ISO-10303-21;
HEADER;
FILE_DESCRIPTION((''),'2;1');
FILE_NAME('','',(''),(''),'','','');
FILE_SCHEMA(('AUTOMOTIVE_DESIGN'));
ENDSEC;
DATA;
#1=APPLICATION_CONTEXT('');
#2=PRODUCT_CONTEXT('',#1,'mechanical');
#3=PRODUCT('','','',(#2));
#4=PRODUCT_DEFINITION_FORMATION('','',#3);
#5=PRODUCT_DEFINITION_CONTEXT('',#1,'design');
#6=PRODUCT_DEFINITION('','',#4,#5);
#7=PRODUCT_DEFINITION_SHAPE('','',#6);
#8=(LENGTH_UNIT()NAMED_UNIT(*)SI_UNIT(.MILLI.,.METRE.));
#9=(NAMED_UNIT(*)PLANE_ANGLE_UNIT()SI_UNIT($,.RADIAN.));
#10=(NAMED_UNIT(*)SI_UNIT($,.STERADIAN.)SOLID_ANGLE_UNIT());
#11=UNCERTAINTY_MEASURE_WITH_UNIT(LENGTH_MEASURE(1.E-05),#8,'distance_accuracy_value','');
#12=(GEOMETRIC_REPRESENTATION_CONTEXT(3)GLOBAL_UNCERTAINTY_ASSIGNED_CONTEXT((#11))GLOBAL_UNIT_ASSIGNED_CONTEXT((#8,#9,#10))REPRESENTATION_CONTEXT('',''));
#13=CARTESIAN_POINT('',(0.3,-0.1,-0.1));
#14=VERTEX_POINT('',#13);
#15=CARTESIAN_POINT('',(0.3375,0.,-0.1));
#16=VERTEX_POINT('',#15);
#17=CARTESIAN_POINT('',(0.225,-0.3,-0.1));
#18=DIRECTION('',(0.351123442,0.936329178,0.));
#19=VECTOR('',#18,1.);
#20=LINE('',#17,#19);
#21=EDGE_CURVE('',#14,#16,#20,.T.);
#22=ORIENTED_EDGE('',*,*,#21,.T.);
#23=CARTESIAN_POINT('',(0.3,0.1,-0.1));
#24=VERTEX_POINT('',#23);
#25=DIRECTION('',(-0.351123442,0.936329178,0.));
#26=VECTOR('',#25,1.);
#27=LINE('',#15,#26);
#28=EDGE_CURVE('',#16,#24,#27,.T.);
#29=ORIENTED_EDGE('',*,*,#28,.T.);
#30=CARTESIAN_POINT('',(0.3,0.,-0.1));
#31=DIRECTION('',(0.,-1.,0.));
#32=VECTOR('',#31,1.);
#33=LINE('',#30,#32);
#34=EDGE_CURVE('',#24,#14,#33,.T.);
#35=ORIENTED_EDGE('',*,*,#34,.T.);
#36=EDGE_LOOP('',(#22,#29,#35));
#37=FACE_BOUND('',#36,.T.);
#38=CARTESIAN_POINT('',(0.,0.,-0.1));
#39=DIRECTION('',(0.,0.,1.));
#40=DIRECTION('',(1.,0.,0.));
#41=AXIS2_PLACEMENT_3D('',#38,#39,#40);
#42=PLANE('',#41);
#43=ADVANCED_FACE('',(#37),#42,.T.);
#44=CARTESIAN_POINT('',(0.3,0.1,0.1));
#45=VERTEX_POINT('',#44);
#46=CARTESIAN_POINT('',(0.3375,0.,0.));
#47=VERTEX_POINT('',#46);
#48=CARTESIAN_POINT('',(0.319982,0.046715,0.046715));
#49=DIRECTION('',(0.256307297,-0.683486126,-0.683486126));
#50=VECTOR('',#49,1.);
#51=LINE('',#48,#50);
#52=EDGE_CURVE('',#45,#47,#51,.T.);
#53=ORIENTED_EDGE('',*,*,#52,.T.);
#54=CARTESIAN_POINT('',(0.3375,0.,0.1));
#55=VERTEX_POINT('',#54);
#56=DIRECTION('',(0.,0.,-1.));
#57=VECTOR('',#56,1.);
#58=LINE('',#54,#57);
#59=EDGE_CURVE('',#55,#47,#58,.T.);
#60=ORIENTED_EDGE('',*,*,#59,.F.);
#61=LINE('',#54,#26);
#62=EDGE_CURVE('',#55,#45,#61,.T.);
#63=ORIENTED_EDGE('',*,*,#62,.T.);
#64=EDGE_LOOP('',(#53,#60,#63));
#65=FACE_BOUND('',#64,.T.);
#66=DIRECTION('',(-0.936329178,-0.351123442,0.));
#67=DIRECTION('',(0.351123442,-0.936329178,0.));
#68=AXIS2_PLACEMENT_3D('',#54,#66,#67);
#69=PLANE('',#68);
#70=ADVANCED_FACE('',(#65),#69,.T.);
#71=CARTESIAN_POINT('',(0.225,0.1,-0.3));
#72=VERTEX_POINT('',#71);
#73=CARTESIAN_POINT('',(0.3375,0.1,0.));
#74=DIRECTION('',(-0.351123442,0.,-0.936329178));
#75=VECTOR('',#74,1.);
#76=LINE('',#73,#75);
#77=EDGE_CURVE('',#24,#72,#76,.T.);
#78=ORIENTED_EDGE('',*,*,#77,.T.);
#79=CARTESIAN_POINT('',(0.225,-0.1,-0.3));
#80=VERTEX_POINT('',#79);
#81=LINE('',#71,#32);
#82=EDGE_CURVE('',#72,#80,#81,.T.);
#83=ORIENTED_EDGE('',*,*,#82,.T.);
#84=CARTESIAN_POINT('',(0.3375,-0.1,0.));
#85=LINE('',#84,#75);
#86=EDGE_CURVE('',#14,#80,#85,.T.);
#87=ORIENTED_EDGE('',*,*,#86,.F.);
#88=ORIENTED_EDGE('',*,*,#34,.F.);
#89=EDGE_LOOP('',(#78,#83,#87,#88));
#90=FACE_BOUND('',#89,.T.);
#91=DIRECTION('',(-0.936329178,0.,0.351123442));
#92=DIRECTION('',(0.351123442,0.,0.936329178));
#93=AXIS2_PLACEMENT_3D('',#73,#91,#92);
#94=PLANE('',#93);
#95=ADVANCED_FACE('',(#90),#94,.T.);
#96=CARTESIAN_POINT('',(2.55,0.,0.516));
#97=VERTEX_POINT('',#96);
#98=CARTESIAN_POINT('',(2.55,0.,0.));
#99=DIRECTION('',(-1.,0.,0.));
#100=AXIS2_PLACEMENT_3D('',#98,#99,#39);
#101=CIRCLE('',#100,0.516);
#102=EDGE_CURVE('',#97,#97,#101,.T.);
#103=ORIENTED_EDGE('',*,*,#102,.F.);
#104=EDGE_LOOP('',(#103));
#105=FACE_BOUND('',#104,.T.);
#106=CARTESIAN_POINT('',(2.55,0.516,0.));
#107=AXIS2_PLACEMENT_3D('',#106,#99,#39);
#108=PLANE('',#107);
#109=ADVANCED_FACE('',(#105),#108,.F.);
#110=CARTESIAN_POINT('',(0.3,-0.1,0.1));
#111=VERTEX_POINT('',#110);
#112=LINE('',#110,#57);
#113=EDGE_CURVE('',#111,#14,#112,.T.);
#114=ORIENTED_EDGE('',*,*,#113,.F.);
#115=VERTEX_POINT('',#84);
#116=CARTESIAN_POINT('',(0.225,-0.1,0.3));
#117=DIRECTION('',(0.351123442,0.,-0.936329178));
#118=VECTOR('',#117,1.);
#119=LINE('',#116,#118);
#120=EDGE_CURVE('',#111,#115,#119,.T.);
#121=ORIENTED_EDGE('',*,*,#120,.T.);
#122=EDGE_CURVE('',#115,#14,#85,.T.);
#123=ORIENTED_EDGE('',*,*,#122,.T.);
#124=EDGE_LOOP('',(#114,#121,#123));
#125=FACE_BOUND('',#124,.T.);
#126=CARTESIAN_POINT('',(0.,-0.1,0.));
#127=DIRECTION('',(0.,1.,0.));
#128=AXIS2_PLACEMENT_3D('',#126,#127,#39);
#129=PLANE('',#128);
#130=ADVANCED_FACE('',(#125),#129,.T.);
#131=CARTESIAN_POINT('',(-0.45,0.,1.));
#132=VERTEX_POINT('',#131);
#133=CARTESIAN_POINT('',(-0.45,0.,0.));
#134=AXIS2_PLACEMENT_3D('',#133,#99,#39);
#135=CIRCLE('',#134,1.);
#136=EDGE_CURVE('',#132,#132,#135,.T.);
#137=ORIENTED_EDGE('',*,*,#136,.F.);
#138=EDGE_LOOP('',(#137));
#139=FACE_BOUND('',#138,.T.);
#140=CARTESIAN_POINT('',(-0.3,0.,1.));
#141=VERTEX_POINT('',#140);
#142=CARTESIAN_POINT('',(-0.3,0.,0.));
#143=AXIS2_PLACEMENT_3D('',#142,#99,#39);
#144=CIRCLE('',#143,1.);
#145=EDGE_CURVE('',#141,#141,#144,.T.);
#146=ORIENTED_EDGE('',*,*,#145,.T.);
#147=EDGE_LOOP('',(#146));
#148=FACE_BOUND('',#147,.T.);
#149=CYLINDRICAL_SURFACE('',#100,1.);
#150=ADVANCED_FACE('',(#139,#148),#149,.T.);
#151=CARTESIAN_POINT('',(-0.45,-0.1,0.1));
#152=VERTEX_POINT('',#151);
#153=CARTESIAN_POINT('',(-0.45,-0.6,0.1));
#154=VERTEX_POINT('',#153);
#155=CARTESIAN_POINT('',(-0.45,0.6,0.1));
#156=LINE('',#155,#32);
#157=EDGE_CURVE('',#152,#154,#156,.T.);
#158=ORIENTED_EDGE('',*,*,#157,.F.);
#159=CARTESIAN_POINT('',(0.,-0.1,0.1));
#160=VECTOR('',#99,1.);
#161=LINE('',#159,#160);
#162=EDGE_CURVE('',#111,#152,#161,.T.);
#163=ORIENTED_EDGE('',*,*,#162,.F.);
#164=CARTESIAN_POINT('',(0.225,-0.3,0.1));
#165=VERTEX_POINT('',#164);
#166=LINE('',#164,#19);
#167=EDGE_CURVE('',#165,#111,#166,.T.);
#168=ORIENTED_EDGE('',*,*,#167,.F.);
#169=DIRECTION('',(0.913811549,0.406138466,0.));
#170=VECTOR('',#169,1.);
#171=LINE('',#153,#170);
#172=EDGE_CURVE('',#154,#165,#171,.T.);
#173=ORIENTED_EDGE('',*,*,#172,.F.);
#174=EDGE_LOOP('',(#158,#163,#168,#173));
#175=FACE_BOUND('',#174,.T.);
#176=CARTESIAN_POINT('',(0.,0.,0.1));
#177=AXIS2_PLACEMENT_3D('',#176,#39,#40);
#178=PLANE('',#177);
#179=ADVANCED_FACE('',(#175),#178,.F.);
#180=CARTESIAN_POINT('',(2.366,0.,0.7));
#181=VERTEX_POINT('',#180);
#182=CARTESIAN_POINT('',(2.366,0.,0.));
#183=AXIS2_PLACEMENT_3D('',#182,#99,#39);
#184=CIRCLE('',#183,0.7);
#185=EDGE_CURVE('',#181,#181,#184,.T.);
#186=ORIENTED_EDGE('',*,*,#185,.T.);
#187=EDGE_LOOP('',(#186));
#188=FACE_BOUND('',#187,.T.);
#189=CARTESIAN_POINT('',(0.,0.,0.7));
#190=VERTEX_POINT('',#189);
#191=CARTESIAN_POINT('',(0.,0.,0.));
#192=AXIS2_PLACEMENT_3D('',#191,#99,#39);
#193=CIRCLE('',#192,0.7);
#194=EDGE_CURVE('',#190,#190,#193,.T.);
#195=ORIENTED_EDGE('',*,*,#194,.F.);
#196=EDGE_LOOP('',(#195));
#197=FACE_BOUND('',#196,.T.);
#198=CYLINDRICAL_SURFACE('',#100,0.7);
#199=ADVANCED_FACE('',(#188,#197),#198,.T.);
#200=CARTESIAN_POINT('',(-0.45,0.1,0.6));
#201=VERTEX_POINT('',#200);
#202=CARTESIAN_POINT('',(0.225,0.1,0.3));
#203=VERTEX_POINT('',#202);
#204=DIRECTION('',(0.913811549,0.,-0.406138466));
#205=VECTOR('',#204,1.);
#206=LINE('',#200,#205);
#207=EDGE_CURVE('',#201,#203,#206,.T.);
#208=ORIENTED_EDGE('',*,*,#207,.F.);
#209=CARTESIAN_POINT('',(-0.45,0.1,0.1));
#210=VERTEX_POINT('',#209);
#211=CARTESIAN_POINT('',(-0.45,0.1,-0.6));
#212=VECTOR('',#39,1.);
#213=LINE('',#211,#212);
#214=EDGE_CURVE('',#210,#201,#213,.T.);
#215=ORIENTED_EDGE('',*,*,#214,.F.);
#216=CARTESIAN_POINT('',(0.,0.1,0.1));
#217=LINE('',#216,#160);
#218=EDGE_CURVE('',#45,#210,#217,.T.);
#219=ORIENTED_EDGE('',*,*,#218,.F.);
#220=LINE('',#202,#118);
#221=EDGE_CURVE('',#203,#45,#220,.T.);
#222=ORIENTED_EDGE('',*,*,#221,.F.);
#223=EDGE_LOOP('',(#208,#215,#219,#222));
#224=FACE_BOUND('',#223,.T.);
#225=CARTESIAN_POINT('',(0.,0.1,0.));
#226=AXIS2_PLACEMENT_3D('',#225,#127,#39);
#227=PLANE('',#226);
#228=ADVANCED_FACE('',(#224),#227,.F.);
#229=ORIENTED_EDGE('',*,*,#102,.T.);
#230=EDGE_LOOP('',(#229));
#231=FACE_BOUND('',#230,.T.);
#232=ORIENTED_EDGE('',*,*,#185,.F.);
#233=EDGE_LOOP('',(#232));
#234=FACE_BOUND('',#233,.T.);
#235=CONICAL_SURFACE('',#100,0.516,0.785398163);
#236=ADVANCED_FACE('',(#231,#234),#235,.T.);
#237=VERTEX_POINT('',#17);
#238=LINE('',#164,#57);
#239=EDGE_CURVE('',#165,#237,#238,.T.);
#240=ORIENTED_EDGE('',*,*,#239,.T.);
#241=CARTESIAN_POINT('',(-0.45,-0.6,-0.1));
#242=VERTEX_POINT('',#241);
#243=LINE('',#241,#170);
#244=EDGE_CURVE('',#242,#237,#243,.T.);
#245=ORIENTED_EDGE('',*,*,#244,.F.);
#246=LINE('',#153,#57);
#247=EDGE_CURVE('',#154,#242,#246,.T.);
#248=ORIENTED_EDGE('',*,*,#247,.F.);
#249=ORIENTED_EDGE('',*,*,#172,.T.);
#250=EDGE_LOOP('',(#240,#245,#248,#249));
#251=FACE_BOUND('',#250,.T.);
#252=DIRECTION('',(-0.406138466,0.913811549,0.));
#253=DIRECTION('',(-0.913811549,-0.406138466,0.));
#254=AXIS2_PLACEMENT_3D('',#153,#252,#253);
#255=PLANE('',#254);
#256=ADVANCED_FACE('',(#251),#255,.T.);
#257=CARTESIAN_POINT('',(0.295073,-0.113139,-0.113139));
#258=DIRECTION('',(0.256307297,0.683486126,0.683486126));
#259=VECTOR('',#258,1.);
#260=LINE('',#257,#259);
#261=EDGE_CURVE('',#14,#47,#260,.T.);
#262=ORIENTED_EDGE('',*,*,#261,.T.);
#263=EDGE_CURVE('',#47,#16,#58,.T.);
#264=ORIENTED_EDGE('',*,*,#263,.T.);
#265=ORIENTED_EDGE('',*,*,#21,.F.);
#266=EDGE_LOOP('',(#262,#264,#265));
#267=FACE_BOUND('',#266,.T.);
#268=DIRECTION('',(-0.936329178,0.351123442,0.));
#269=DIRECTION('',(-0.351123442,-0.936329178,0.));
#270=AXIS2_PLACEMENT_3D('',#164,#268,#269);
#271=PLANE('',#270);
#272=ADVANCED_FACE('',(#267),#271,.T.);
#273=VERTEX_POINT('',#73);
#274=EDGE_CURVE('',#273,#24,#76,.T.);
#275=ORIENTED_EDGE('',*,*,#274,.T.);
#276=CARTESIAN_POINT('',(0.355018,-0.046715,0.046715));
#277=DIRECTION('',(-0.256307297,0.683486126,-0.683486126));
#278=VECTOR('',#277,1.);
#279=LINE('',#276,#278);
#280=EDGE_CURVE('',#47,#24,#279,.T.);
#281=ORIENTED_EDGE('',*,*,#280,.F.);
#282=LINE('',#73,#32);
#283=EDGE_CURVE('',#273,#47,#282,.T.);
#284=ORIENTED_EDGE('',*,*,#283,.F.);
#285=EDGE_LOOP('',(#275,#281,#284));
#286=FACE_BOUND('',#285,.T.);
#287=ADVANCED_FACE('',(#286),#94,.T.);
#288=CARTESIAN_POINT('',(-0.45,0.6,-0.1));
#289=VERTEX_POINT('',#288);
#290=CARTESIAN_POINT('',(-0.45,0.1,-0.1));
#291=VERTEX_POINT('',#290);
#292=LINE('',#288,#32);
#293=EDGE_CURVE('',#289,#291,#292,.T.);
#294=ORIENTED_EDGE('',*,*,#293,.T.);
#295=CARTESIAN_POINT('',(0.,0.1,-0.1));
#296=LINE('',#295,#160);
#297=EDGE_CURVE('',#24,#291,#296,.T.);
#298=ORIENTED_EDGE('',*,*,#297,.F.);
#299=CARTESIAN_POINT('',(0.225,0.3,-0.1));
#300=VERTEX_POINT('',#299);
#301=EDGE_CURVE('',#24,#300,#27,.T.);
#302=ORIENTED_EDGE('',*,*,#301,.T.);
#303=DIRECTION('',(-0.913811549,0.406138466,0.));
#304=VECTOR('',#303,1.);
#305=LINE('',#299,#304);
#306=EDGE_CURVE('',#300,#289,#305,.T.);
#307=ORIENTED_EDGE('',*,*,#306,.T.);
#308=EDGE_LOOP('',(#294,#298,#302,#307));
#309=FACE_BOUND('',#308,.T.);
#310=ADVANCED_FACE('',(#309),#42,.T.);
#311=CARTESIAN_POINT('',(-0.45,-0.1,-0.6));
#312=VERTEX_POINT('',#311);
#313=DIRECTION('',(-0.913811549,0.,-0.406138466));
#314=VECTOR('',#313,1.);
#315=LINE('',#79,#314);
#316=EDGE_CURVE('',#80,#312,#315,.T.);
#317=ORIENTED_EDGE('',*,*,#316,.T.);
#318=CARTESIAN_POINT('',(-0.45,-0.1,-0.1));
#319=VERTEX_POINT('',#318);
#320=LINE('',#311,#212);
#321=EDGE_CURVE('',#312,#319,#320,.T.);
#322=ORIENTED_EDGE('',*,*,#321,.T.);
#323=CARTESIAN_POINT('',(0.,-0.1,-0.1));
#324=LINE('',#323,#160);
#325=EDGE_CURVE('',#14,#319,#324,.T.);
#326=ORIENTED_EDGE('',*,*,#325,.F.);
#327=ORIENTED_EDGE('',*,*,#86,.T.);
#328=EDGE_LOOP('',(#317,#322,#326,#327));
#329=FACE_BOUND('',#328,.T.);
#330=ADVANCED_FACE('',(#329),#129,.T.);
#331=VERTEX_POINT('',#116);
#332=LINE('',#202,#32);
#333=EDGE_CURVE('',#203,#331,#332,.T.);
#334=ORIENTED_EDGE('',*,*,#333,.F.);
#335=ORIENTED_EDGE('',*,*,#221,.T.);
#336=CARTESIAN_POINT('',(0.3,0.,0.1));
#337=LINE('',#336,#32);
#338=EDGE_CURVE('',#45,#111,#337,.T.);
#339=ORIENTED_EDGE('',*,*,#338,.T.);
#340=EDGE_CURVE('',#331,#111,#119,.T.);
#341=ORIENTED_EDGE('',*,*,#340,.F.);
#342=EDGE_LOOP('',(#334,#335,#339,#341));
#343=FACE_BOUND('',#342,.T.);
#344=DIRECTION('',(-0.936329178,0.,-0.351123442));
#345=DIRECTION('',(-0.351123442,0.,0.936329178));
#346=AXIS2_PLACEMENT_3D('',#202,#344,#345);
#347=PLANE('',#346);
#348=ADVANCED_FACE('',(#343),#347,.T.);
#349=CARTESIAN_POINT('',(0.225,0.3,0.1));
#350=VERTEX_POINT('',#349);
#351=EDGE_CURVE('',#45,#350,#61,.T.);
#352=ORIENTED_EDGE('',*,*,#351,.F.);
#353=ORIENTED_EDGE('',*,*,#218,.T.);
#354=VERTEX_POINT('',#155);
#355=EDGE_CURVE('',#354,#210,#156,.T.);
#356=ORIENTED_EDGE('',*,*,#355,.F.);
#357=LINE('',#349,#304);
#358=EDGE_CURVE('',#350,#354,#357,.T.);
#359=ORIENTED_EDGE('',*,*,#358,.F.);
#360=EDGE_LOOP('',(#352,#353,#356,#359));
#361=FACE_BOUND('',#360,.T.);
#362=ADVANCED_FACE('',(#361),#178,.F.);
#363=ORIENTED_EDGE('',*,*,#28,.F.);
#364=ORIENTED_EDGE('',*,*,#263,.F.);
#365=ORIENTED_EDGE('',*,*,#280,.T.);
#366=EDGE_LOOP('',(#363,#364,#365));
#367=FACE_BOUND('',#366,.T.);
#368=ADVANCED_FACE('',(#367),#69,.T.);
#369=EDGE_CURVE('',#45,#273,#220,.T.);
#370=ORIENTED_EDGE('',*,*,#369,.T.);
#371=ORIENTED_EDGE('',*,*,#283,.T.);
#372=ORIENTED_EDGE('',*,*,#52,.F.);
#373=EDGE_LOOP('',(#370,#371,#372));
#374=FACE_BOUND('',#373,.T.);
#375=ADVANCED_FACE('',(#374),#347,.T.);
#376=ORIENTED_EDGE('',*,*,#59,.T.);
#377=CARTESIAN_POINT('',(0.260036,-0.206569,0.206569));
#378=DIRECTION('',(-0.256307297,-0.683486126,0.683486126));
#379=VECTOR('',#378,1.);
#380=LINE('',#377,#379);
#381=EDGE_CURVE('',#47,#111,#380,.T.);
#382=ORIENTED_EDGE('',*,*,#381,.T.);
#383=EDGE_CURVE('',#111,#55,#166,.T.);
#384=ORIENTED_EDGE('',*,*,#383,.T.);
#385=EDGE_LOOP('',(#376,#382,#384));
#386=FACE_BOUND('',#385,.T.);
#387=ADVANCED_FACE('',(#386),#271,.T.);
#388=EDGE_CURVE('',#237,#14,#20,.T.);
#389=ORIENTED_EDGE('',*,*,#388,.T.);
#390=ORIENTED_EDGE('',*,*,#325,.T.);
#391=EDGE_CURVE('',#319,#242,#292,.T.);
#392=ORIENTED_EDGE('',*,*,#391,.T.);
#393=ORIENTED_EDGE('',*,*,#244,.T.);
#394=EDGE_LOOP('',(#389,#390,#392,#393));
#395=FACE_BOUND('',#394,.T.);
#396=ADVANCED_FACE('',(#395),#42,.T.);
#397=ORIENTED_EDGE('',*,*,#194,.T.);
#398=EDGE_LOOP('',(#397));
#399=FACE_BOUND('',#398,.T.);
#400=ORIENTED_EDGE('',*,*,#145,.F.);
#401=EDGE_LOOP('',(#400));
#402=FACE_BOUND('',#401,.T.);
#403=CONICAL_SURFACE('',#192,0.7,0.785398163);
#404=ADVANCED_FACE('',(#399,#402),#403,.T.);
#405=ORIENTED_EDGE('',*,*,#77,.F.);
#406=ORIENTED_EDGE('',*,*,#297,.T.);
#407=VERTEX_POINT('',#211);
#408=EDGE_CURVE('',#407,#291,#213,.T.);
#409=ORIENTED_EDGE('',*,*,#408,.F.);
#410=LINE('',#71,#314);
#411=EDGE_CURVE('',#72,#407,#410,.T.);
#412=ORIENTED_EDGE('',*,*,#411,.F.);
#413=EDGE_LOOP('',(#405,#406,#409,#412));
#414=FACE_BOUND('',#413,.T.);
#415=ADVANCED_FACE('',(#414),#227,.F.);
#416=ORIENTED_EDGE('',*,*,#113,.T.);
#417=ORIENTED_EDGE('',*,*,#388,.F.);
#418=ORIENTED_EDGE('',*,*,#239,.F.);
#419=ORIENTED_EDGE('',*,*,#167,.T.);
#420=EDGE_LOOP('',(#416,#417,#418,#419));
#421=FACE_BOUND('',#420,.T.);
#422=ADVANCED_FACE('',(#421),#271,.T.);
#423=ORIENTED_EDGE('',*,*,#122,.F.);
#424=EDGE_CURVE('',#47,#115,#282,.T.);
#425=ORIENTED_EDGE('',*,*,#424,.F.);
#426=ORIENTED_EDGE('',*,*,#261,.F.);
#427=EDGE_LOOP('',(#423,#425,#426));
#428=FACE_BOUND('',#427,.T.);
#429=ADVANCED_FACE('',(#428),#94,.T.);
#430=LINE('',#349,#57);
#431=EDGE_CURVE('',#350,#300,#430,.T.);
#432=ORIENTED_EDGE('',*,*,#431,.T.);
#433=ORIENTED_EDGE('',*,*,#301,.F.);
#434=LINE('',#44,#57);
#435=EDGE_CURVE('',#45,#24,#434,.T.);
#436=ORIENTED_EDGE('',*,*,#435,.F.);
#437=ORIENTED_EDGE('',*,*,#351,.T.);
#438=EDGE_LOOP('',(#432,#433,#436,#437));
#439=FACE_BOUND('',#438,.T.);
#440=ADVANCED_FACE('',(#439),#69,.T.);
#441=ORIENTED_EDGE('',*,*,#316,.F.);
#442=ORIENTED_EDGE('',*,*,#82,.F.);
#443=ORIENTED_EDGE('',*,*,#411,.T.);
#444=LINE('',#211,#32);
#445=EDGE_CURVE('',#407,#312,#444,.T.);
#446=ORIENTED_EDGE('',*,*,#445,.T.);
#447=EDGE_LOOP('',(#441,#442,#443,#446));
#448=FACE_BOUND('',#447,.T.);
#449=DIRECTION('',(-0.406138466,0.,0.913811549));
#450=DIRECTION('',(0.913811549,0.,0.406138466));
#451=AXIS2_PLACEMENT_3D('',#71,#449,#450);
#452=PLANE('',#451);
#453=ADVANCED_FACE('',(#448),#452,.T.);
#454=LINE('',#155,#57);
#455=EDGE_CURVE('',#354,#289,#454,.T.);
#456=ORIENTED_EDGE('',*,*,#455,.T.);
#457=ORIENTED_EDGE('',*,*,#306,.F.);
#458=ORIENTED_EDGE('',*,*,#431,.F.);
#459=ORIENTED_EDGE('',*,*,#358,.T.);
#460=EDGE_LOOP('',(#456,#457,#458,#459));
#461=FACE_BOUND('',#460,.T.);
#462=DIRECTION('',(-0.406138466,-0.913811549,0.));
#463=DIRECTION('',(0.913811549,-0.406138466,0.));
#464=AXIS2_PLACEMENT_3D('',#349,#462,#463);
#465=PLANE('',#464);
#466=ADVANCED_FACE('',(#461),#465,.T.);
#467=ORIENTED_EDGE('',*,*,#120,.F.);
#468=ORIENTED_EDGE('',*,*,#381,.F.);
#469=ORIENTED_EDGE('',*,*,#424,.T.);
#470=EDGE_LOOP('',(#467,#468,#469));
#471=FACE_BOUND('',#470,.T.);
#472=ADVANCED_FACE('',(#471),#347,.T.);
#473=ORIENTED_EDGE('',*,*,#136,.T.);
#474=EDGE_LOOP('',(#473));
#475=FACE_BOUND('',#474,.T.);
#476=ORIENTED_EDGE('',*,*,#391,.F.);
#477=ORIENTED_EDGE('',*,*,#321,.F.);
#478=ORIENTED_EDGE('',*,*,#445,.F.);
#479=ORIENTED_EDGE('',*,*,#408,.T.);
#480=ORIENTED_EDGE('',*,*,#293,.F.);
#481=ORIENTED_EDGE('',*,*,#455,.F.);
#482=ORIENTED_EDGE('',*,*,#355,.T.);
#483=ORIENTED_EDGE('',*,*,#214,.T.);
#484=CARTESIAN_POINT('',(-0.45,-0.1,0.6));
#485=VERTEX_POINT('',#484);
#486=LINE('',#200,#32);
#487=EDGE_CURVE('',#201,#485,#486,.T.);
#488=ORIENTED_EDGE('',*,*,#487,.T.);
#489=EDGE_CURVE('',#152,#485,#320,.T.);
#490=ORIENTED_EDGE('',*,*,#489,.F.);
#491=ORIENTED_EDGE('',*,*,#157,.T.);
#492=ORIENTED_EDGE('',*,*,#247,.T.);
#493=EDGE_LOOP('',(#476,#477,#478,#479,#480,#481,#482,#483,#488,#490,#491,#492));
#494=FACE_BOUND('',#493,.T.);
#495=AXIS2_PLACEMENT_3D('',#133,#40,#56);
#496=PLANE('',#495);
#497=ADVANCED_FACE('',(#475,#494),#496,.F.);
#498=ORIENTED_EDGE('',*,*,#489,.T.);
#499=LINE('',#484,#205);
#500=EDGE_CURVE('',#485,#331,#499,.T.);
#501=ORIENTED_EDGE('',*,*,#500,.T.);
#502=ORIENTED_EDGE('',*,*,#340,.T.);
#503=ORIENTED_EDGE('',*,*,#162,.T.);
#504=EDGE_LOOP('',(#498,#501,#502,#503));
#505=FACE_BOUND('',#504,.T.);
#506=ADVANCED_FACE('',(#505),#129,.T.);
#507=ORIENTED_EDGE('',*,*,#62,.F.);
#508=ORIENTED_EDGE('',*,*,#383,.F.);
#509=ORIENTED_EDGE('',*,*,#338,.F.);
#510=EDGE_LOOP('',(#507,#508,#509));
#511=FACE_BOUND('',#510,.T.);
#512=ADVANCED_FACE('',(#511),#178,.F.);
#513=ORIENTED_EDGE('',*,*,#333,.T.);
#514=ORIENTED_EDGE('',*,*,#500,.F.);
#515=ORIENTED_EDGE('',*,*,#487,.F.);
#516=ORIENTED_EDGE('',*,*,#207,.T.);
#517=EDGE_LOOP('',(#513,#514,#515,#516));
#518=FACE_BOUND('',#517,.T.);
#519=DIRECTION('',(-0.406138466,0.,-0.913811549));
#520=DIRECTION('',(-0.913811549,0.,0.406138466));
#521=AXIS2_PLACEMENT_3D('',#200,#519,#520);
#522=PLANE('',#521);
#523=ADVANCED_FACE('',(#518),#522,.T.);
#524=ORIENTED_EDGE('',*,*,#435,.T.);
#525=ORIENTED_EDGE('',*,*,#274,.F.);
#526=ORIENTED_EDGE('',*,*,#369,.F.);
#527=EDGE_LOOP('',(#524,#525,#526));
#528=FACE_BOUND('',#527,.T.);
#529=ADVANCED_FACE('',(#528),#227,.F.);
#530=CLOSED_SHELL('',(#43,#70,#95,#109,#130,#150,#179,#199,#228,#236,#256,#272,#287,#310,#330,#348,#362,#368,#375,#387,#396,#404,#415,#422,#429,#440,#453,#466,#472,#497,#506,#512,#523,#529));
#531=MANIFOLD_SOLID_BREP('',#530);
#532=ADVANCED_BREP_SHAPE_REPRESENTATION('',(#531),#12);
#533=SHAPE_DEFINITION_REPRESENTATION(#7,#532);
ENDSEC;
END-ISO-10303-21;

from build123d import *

# Parameters (mm, degrees)
CUT_EXTRUDE1_DEPTH      = 0.1
CUT_EXTRUDE1_DEPTH_BACK = 0.1
CUT_EXTRUDE2_DEPTH      = 0.1
CUT_EXTRUDE2_DEPTH_BACK = 0.1


with BuildPart() as part:
    # Sketch1 → Revolve1 (revolve)
    with BuildSketch(Plane.XY):
        Polygon((-0.45, 0), (-0.45, 1), (-0.3, 1), (0, 0.7), (2.366, 0.7), (2.55, 0.516), (2.55, 0), align=None)
    revolve(axis=Axis((2.55, 0, 0), (-1, 0, 0)))

    # Sketch2 → Cut-Extrude1 (cut, two sides: drawn at the far end of the back side and taken through both)
    with BuildSketch(Plane.XY.offset(-CUT_EXTRUDE1_DEPTH_BACK)):
        Polygon((-0.45, -0.6), (0.225, -0.3), (0.3375, 0), (0.225, 0.3), (-0.45, 0.6), align=None)
    extrude(amount=CUT_EXTRUDE1_DEPTH + CUT_EXTRUDE1_DEPTH_BACK, mode=Mode.SUBTRACT)

    # Sketch3 → Cut-Extrude2 (cut, two sides: drawn at the far end of the back side and taken through both)
    with BuildSketch(Plane(origin=(0, 0, 0), x_dir=(1, 0, 0), z_dir=(0, 1, 0)).offset(-CUT_EXTRUDE2_DEPTH_BACK)):
        Polygon((-0.45, -0.6), (0.225, -0.3), (0.3375, 0), (0.225, 0.3), (-0.45, 0.6), align=None)
    extrude(amount=CUT_EXTRUDE2_DEPTH + CUT_EXTRUDE2_DEPTH_BACK, mode=Mode.SUBTRACT)


solid = part.part
